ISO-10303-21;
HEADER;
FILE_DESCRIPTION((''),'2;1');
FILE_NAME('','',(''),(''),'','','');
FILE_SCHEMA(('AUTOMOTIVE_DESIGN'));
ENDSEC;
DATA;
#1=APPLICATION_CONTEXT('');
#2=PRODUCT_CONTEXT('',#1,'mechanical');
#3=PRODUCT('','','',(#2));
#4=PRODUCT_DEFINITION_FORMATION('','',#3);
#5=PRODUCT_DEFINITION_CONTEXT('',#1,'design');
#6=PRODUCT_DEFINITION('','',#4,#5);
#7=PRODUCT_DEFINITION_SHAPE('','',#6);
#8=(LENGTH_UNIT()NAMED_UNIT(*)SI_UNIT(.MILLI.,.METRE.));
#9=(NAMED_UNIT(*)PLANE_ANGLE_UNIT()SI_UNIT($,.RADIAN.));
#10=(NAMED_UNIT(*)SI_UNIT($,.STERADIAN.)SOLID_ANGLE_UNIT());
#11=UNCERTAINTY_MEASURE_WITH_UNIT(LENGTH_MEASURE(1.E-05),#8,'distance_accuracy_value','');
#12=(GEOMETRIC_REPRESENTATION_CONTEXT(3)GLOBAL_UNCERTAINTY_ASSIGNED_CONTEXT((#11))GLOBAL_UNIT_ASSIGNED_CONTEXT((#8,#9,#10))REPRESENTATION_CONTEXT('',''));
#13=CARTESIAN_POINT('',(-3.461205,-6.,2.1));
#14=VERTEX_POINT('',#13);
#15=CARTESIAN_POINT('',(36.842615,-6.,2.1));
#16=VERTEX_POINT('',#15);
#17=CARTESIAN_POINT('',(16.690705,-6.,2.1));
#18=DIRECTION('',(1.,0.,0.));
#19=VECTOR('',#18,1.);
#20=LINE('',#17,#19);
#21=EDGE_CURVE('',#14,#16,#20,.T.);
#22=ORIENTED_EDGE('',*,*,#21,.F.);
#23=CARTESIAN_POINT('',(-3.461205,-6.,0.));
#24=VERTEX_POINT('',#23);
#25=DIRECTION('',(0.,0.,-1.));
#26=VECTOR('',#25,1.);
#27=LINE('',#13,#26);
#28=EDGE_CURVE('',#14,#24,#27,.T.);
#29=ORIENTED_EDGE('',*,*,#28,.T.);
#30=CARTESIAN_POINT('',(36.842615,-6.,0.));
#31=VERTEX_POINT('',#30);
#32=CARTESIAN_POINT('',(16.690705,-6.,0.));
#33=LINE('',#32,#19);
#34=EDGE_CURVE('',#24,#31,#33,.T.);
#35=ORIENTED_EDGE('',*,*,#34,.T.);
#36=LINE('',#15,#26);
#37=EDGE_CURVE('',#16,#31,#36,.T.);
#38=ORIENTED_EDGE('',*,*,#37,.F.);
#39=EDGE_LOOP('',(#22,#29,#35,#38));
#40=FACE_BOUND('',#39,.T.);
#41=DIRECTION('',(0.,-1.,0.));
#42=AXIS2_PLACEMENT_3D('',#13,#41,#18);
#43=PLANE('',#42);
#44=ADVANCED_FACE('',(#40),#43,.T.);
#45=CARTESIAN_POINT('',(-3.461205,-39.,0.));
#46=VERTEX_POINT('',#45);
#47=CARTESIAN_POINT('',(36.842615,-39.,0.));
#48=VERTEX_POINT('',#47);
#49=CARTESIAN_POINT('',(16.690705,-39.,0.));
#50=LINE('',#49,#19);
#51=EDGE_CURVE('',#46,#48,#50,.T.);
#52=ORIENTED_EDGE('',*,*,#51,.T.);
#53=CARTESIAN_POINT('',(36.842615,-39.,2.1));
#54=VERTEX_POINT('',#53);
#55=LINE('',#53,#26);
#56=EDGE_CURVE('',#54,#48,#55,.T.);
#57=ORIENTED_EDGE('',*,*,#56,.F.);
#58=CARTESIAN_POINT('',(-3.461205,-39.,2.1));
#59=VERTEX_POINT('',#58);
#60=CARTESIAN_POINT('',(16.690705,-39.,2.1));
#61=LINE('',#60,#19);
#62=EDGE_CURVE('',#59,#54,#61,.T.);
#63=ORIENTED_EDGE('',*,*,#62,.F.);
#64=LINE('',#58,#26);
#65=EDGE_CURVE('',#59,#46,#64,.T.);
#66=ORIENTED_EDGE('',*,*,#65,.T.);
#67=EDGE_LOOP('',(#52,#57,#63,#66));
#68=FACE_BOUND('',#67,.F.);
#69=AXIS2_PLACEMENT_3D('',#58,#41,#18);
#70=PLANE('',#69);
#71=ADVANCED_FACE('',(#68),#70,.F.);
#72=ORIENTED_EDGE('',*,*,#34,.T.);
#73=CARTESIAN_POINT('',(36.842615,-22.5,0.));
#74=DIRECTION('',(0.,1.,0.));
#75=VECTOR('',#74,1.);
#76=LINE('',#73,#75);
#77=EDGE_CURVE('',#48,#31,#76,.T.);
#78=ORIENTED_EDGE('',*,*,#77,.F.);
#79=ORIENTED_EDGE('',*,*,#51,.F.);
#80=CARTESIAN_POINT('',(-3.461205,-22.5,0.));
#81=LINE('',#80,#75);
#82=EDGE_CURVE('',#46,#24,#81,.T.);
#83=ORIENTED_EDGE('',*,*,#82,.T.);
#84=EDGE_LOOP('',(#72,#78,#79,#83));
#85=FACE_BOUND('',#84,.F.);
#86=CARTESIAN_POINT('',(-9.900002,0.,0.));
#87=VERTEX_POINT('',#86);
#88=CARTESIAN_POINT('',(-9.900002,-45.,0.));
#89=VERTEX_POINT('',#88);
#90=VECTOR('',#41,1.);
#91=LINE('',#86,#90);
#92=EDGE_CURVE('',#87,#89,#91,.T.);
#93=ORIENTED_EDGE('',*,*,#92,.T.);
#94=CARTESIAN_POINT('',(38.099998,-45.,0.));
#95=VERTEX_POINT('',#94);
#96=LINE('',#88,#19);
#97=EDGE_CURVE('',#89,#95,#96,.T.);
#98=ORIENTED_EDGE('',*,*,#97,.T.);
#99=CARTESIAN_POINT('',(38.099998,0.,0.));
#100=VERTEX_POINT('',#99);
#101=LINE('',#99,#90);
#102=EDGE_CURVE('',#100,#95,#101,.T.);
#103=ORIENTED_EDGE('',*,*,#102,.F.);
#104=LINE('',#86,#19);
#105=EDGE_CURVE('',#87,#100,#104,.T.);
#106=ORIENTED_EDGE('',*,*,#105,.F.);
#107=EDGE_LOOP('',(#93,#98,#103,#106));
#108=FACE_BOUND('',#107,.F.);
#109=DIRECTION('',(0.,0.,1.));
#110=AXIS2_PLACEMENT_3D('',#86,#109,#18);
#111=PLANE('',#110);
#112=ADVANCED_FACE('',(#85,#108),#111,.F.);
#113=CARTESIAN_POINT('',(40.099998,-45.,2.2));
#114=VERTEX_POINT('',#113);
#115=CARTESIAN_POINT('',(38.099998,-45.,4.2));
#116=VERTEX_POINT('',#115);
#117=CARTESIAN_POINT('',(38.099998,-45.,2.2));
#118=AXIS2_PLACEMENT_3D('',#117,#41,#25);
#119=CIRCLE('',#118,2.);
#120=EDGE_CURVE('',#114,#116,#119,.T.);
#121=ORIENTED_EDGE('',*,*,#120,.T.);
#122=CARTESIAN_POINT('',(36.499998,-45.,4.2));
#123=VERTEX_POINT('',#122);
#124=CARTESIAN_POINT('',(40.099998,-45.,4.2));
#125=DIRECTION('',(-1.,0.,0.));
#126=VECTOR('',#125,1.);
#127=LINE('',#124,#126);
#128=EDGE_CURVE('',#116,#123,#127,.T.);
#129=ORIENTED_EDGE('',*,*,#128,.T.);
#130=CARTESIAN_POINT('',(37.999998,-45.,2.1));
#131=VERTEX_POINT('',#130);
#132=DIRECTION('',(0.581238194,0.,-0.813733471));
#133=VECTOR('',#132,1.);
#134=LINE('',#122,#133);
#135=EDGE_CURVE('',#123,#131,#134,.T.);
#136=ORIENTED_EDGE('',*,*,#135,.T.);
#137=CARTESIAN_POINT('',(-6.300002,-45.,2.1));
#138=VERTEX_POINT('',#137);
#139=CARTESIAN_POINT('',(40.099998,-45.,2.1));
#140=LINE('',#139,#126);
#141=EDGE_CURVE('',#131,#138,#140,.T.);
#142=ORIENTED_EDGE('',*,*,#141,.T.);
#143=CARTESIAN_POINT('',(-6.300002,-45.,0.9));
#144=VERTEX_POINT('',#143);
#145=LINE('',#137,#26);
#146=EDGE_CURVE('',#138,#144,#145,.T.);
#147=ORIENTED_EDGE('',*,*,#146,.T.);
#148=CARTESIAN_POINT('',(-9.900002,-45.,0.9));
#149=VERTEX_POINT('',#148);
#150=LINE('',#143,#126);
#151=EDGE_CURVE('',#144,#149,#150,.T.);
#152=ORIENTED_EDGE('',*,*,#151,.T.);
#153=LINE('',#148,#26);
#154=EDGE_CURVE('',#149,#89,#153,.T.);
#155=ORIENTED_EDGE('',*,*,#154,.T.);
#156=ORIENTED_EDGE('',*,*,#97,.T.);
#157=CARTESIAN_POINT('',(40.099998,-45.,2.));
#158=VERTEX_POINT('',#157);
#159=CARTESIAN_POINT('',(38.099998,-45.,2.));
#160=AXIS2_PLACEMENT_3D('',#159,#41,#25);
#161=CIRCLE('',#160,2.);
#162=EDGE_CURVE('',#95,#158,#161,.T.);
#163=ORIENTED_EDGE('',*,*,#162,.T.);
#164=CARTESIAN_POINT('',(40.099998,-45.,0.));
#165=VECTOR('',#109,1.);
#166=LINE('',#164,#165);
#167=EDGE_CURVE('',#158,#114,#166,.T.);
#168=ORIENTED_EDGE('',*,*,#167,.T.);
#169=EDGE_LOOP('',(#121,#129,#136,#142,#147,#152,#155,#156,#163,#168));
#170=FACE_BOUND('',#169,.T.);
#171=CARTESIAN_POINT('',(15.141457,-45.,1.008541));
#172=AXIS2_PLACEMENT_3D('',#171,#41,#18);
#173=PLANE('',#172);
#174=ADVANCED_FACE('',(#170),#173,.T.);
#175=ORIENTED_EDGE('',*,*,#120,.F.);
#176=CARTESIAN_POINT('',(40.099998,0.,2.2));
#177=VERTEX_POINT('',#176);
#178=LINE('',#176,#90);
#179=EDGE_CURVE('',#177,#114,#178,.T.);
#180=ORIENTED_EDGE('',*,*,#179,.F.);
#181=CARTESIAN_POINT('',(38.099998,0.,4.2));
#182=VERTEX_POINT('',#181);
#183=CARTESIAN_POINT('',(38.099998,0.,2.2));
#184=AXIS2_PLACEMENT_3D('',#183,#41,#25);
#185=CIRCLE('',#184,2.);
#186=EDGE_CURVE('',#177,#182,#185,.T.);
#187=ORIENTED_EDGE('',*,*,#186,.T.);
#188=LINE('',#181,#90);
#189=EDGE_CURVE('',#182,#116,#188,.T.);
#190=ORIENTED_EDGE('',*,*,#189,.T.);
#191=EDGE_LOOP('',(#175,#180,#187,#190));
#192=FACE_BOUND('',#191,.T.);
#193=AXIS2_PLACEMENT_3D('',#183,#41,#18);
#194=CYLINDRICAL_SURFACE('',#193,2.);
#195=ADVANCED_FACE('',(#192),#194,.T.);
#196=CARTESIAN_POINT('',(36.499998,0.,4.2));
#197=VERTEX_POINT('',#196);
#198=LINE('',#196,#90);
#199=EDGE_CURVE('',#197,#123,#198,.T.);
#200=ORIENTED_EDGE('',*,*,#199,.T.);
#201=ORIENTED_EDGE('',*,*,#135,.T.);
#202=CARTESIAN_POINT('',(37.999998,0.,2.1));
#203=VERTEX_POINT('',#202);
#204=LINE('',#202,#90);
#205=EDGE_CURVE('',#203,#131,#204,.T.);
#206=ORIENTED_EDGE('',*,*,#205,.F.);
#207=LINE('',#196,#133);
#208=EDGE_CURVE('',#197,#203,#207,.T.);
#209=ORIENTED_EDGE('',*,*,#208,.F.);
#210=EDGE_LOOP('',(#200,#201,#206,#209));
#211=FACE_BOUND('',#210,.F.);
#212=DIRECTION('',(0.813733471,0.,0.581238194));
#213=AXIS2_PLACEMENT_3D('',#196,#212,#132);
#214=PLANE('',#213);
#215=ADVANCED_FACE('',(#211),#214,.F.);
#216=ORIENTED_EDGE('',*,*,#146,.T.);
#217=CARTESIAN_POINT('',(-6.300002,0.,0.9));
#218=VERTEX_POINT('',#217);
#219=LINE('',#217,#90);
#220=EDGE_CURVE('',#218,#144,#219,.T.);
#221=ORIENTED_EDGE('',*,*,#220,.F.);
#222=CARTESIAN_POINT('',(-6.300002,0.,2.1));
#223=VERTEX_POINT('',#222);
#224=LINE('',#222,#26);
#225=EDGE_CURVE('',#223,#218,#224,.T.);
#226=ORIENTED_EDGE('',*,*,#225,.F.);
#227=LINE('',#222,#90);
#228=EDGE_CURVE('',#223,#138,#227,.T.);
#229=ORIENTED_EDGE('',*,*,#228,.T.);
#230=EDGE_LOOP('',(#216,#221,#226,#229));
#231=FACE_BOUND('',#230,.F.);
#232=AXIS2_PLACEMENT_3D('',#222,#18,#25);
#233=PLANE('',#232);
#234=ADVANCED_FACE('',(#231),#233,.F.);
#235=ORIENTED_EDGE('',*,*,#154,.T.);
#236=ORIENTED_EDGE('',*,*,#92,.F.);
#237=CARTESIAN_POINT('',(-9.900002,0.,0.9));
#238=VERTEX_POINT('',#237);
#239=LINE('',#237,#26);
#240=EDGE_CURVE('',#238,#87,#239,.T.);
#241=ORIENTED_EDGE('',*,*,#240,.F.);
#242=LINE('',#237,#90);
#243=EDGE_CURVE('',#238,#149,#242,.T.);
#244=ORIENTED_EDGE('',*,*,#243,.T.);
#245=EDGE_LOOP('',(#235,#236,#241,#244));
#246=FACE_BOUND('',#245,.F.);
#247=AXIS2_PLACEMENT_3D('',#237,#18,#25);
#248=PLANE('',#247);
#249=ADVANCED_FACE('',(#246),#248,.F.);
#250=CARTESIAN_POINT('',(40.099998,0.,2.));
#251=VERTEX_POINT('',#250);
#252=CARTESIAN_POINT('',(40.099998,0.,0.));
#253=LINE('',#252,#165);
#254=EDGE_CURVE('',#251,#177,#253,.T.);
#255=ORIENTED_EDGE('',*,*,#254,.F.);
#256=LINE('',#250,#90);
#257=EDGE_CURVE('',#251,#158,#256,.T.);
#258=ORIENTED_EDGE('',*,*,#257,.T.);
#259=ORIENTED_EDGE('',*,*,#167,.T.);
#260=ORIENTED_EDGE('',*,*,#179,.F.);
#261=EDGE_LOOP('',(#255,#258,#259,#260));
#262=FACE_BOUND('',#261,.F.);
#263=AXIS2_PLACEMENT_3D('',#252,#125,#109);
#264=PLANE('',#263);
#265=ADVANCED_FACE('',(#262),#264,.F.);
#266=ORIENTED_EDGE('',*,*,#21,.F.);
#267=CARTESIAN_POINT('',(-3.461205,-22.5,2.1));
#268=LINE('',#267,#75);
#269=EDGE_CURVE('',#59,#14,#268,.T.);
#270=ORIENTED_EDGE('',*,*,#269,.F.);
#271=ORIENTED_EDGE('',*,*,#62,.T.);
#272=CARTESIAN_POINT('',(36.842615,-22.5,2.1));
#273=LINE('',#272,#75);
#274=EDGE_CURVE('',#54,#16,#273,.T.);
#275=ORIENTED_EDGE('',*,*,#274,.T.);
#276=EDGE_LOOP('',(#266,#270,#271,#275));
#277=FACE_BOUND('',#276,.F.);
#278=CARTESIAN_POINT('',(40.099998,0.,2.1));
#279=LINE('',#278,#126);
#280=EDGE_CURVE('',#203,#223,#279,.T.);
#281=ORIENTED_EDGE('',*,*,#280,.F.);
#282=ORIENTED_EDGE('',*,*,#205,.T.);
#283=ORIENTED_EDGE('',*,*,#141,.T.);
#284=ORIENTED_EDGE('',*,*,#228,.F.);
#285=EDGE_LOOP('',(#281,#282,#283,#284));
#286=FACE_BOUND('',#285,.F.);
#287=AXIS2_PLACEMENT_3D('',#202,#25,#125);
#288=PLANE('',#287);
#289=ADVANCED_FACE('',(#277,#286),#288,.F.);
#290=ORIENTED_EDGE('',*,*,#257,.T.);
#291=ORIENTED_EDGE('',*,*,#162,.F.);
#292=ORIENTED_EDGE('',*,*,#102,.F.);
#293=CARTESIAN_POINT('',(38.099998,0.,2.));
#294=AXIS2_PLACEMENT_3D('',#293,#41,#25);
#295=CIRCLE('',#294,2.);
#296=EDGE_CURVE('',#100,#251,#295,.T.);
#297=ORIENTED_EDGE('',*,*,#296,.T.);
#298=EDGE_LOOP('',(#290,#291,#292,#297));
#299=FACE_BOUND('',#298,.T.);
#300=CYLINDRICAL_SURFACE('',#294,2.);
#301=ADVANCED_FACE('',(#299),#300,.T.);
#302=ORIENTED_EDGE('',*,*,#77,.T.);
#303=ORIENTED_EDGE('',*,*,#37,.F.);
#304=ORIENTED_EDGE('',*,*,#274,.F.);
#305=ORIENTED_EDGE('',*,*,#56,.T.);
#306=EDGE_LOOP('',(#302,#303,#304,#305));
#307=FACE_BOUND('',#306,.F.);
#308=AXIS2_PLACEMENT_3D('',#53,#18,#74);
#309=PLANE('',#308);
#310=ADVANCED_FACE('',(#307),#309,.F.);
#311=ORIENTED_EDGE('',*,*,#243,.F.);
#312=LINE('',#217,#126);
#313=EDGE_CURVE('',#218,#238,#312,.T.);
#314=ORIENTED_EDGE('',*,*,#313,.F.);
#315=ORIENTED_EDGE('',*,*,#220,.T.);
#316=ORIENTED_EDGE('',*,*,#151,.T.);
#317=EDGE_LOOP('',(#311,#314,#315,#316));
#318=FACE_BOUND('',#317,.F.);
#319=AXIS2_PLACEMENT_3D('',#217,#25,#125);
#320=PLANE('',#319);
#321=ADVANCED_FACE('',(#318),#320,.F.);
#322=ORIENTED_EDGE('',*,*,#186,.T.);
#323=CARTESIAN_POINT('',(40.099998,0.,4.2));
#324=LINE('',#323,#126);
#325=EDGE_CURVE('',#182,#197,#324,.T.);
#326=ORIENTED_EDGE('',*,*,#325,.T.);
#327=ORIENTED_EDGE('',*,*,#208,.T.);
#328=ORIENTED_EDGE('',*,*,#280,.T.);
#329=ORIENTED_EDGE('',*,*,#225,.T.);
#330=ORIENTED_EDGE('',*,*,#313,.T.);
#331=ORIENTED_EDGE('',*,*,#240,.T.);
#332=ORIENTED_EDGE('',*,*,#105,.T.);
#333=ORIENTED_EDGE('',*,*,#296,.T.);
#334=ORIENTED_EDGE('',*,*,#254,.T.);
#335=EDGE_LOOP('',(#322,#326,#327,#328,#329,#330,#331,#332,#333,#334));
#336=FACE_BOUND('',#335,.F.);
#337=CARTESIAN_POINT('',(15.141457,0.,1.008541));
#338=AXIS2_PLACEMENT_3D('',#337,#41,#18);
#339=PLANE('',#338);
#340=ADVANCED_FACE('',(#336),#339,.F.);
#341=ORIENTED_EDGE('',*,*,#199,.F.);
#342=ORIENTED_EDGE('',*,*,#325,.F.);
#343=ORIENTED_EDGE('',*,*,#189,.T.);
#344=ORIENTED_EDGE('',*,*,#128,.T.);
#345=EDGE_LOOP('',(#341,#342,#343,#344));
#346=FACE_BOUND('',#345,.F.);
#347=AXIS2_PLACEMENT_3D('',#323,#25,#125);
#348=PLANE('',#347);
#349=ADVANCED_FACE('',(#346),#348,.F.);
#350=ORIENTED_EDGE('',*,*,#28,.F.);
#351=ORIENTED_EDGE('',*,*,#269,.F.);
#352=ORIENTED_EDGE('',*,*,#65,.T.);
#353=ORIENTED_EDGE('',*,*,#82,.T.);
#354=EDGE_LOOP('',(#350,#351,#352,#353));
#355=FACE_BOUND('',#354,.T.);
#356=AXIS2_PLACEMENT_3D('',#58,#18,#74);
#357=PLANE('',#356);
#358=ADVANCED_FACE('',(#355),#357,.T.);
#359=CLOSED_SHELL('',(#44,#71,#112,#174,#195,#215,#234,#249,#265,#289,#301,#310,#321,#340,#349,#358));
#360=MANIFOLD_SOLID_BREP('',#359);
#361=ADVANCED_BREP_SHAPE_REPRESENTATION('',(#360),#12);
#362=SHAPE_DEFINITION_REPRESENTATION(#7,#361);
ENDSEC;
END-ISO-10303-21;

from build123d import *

# Parameters (mm, degrees)
F1_DEPTH = 45
F2_R     = 2
F3_W     = 40.303819
F3_H     = 33
F4_DEPTH = 2.1


with BuildPart() as f1:
    # F0 (on Front) → F1 (new body)
    with BuildSketch(Plane.XZ):
        Polygon((-6.300002, 0.9), (-9.900002, 0.9), (-9.900002, 0), (40.099998, 0), (40.099998, 2.1), (37.999998, 2.1), (-6.300002, 2.1), align=None)
        Polygon((37.999998, 2.1), (40.099998, 2.1), (40.099998, 4.2), (36.499998, 4.2), align=None)
    extrude(amount=F1_DEPTH)

    # F2
    f2_edges = [f1.edges().sort_by_distance(p)[0] for p in [
        (40.099998, -22.5, 4.2),
        (40.099998, -22.5, 0),
    ]]
    fillet(f2_edges, radius=F2_R)

    # F3 (on face) → F4 (cut)
    with BuildSketch(Plane.XY.offset(2.1)):
        with Locations((16.690705, -22.5)):
            Rectangle(F3_W, F3_H)
    extrude(amount=-F4_DEPTH, mode=Mode.SUBTRACT)


solid = f1.part
